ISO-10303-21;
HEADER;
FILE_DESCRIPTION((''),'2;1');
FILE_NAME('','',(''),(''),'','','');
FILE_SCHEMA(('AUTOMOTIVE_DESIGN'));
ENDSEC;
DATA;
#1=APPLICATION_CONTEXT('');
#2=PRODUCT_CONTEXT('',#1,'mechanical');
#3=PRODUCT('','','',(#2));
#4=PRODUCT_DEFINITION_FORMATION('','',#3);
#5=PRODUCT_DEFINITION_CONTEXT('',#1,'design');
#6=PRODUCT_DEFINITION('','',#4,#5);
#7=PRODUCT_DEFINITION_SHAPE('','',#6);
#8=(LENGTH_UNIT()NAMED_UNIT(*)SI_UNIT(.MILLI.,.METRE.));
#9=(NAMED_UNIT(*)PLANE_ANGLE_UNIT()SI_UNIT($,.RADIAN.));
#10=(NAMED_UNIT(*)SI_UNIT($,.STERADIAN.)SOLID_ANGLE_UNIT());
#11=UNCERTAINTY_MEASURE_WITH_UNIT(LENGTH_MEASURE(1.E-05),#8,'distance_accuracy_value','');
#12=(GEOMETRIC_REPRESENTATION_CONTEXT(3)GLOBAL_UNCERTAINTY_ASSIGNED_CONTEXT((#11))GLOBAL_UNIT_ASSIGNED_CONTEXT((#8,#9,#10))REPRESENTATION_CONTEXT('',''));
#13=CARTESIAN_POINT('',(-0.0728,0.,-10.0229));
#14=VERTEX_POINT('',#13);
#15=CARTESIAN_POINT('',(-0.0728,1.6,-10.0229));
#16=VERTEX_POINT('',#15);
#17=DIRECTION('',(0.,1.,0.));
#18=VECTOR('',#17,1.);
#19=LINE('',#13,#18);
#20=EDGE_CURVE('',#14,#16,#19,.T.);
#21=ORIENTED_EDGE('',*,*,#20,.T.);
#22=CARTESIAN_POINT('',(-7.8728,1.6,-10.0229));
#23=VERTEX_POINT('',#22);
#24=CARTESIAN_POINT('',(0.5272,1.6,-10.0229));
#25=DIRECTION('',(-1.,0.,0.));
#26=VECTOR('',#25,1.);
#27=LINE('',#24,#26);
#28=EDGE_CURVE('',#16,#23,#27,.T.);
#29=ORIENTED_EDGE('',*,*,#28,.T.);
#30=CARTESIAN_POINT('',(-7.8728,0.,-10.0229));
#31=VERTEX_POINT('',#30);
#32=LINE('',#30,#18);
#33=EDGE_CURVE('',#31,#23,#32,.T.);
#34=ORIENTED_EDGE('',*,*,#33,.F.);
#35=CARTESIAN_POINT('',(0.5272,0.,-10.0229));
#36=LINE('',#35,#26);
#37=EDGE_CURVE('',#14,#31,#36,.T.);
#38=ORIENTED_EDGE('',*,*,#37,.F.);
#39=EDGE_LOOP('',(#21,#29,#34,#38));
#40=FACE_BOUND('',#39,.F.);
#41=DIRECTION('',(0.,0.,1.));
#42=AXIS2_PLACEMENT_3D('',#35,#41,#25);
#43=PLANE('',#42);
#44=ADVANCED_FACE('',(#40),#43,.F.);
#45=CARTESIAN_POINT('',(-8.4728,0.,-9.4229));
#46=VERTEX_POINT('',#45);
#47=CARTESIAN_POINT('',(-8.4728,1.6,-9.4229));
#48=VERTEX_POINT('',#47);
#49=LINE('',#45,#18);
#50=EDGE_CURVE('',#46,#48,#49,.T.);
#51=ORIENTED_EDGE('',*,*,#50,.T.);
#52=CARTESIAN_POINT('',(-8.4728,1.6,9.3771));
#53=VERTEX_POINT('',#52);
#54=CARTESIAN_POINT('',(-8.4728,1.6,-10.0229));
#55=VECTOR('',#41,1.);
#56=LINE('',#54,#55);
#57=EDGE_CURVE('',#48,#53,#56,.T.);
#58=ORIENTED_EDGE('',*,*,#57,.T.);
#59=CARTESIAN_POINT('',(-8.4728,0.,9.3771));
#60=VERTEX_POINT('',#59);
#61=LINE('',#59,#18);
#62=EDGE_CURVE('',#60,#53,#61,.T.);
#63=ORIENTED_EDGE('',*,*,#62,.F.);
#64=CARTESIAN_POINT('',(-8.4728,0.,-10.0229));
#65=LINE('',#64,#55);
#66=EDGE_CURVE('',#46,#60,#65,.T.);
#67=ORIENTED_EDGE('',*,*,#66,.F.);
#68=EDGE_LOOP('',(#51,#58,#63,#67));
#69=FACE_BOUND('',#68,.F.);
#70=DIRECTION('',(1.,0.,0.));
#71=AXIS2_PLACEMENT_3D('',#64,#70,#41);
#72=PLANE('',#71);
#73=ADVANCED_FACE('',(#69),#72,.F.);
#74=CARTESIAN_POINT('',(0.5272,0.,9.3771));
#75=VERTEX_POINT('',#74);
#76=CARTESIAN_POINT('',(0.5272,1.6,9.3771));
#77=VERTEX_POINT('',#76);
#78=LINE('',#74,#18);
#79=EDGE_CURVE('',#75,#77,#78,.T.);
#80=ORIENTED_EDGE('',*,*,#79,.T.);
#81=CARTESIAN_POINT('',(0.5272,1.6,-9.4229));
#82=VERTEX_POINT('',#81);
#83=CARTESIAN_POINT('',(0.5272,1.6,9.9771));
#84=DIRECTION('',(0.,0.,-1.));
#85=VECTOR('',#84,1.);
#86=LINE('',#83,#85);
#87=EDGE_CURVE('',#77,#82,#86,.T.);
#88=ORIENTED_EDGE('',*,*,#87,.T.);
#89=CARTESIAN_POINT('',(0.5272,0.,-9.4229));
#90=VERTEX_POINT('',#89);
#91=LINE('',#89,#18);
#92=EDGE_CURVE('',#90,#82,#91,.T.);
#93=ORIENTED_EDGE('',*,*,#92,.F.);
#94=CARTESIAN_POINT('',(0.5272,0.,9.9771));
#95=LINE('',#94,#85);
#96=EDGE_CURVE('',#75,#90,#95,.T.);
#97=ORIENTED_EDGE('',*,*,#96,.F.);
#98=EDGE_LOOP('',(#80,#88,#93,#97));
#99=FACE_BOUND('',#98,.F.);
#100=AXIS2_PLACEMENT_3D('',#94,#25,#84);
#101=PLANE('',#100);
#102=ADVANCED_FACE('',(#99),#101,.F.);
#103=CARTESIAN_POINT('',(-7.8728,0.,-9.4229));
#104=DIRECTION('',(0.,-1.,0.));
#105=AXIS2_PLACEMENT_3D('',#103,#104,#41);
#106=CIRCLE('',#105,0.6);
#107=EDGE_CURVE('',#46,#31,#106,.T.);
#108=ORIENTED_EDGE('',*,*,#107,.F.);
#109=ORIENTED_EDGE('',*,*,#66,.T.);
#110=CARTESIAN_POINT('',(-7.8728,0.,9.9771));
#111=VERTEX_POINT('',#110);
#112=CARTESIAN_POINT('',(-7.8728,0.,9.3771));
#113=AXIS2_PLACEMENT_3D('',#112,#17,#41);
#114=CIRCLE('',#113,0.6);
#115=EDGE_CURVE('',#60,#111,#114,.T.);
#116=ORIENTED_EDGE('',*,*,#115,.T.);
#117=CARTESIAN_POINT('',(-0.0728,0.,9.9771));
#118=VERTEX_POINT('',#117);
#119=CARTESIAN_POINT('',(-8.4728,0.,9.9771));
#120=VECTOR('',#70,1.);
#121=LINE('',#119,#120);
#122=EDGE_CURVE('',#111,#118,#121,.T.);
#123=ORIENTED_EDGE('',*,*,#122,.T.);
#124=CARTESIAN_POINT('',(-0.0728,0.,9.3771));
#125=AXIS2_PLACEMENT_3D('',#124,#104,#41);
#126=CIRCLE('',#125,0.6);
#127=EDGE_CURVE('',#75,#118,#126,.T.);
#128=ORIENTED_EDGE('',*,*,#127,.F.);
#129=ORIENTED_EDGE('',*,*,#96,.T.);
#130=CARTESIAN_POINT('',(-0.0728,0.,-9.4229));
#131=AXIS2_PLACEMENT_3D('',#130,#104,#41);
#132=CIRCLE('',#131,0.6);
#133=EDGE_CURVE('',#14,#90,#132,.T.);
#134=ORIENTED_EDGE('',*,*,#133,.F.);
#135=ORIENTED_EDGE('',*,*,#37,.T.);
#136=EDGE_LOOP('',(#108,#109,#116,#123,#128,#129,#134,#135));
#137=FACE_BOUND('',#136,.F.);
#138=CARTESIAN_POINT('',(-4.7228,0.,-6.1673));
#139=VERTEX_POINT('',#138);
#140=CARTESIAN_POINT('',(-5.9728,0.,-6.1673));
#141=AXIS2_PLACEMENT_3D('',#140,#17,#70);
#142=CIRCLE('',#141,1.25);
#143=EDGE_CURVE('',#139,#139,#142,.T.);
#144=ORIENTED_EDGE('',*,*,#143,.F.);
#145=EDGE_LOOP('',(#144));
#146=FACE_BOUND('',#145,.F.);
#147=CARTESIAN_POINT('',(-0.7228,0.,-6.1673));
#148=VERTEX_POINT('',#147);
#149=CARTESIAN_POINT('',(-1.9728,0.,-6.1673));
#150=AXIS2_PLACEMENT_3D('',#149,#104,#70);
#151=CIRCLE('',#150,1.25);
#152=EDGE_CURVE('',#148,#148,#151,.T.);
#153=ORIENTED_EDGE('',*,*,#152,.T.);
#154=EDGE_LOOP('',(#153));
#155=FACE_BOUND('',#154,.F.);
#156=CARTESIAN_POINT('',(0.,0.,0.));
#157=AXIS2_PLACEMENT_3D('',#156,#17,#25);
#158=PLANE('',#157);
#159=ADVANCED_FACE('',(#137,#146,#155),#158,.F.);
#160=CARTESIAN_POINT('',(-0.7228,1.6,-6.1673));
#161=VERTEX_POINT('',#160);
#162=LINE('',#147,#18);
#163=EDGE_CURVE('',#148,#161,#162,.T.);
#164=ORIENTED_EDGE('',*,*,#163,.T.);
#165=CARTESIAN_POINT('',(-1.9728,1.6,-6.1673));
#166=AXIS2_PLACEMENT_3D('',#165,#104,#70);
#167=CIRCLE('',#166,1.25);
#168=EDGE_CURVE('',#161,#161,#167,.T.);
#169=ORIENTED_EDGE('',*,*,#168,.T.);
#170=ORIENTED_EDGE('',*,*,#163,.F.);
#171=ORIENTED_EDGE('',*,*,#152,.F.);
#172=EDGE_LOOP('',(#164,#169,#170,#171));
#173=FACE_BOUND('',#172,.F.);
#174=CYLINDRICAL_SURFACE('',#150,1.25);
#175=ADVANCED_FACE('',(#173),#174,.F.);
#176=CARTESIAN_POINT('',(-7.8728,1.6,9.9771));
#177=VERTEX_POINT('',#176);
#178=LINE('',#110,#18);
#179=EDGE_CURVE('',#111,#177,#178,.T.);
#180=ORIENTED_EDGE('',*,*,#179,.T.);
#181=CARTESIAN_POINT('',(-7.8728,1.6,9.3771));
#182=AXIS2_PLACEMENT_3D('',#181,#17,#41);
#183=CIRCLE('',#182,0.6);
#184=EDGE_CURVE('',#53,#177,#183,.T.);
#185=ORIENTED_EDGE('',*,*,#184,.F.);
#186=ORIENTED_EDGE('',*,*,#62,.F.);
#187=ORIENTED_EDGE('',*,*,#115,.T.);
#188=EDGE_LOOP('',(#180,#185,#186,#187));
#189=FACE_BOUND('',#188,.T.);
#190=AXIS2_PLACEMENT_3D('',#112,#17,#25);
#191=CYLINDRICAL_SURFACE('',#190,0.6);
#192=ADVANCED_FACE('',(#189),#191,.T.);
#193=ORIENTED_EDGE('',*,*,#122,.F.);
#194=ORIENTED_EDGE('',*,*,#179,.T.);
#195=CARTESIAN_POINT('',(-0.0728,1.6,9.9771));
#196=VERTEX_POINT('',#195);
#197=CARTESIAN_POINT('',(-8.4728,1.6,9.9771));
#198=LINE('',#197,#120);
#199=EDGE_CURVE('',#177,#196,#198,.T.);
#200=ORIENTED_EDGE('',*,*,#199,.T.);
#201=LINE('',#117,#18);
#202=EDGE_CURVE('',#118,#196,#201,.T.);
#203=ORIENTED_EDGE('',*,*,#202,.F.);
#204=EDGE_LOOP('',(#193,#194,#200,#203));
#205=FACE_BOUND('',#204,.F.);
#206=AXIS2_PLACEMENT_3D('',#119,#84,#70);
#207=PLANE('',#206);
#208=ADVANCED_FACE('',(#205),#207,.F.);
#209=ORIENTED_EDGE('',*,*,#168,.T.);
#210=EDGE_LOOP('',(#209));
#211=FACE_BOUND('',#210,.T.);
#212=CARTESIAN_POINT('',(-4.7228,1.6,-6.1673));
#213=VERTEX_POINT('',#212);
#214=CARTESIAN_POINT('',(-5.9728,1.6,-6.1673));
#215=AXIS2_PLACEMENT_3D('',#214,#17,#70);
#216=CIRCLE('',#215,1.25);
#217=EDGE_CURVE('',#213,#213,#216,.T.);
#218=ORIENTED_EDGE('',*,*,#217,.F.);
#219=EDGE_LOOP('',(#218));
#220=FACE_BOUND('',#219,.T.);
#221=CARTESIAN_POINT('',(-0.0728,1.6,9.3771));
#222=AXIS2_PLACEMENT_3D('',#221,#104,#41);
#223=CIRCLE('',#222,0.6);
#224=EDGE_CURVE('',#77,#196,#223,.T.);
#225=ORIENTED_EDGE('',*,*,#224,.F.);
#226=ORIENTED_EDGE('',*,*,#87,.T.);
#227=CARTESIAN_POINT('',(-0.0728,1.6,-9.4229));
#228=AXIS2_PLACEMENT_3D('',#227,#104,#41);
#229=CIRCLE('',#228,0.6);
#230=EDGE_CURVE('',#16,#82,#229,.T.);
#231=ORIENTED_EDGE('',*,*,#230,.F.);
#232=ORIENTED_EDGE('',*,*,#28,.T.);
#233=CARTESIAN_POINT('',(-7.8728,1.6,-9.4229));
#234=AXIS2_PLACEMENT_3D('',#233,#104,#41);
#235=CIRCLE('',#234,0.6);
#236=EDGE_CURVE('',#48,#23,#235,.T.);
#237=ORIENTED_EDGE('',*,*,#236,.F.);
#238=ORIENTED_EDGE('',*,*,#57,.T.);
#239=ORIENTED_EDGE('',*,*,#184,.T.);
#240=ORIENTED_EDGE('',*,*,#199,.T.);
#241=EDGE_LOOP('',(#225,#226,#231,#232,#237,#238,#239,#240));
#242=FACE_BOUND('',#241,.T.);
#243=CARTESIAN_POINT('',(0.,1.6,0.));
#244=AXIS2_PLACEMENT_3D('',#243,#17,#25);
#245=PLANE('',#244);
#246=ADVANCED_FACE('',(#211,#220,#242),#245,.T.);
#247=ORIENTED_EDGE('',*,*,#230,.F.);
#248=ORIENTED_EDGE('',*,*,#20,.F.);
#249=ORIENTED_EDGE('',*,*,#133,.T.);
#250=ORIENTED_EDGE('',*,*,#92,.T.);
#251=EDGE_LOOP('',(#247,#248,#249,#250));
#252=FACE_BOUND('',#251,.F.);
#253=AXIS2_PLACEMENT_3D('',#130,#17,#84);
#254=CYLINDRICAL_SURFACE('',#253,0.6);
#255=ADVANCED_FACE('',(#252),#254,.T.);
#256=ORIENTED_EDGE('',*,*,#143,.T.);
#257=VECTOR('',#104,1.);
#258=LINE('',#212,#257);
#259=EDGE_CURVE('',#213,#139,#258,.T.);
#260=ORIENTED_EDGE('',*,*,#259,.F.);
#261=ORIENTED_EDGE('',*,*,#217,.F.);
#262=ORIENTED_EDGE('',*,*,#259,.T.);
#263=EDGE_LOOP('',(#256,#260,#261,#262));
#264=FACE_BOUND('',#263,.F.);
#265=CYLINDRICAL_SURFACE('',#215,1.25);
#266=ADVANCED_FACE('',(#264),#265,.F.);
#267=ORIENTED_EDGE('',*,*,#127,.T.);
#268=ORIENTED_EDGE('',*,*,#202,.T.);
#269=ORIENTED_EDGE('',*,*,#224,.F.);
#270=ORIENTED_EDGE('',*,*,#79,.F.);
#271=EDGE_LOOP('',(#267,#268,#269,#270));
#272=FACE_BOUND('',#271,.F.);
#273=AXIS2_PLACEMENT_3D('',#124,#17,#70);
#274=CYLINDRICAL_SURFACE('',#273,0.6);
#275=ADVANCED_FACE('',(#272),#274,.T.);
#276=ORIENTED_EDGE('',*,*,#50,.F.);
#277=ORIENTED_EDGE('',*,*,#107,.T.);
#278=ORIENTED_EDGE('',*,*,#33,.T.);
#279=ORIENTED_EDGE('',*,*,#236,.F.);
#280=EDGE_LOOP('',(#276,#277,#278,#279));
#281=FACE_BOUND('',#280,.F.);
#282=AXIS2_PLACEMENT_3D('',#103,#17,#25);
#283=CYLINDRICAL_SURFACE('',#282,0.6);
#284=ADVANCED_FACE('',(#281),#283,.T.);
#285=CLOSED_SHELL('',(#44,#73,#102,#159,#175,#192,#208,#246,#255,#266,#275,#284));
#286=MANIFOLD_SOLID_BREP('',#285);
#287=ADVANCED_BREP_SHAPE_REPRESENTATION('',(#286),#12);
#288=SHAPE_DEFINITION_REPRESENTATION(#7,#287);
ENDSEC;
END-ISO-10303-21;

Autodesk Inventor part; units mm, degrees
ref_plane "YZ Plane" through (0, 0, 0) normal (1, 0, 0) x (0, 1, 0)
ref_plane "XZ Plane" through (0, 0, 0) normal (0, 1, 0) x (-1, 0, 0)
ref_plane "XY Plane" through (0, 0, 0) normal (0, 0, 1) x (1, 0, 0)
sketch "Szkic1" plane through (0, 0, 0) normal (0, 1, 0) x (-1, 0, 0)
  line L0 (8.4728, 9.9771) -> (-0.5272, 9.9771)
  line L1 (-0.5272, 9.9771) -> (-0.5272, -10.0229)
  line L2 (-0.5272, -10.0229) -> (8.4728, -10.0229)
  line L3 (8.4728, -10.0229) -> (8.4728, 9.9771)
  point P0 (0, 0)
  dimension "d0" = 9
  dimension "d1" = 20
extrude "Wyciągnięcie proste1" add sketch "Szkic1" along normal blind 1.6
fillet "Zaokrąglenie1" radius 0.6 4 edges at (-8.4728, 0.8, -10.0229) (0.5272, 0.8, -10.0229) (0.5272, 0.8, 9.9771) (-8.4728, 0.8, 9.9771)
sketch "Szkic2" plane through (0, 0, 0) normal (0, -1, 0) x (1, 0, 0)
  circle A0 centre (-1.9728, -6.1673) radius 0.75 projected
  circle A1 centre (-1.9728, -6.1673) radius 1.25
  point P0 (0, 0)
  dimension "d5" = 2.5
extrude "Wyciągnięcie proste2" cut sketch "Szkic2" against normal through all contours A0 | A1
sketch "Szkic4" plane through (0, 1.6, 0) normal (0, 1, 0) x (1, 0, 0)
  line L0 (-0.0728, 10.0229) -> (-7.8728, 10.0229) projected
  circle A0 centre (-1.9728, 6.1673) radius 1.25 projected
  line L1 (-3.9728, 10.0229) -> (-3.9728, -9.9771)
  line L2 (-7.8728, -9.9771) -> (-0.0728, -9.9771) projected
  circle A1 centre (-5.9728, 6.1673) radius 1.25
  point P0 (0, 0)
extrude "Wyciągnięcie proste3" cut sketch "Szkic4" against normal blind 10 contours A1
sketch "Szkic5" plane through (0, 1.6, 0) normal (0, 1, 0) x (1, 0, 0)
  circle A0 centre (-5.9728, 6.1673) radius 1.25 projected
  circle A1 centre (-1.9728, 6.1673) radius 1.25 projected
  arc A2 (-8.4728, -9.3771) -> (-7.8728, -9.9771) centre (-7.8728, -9.3771) ccw projected
  line L0 (-7.8728, -9.9771) -> (-0.0728, -9.9771) projected
  arc A3 (-0.0728, -9.9771) -> (0.5272, -9.3771) centre (-0.0728, -9.3771) ccw projected
  line L1 (0.5272, -9.3771) -> (0.5272, 9.4229) projected
  arc A4 (0.5272, 9.4229) -> (-0.0728, 10.0229) centre (-0.0728, 9.4229) ccw projected
  line L2 (-0.0728, 10.0229) -> (-7.8728, 10.0229) projected
  arc A5 (-7.8728, 10.0229) -> (-8.4728, 9.4229) centre (-7.8728, 9.4229) ccw projected
  line L3 (-8.4728, 9.4229) -> (-8.4728, -9.3771) projected
  point P0 (0, 0)
properties part number "pcb_czujnik"
